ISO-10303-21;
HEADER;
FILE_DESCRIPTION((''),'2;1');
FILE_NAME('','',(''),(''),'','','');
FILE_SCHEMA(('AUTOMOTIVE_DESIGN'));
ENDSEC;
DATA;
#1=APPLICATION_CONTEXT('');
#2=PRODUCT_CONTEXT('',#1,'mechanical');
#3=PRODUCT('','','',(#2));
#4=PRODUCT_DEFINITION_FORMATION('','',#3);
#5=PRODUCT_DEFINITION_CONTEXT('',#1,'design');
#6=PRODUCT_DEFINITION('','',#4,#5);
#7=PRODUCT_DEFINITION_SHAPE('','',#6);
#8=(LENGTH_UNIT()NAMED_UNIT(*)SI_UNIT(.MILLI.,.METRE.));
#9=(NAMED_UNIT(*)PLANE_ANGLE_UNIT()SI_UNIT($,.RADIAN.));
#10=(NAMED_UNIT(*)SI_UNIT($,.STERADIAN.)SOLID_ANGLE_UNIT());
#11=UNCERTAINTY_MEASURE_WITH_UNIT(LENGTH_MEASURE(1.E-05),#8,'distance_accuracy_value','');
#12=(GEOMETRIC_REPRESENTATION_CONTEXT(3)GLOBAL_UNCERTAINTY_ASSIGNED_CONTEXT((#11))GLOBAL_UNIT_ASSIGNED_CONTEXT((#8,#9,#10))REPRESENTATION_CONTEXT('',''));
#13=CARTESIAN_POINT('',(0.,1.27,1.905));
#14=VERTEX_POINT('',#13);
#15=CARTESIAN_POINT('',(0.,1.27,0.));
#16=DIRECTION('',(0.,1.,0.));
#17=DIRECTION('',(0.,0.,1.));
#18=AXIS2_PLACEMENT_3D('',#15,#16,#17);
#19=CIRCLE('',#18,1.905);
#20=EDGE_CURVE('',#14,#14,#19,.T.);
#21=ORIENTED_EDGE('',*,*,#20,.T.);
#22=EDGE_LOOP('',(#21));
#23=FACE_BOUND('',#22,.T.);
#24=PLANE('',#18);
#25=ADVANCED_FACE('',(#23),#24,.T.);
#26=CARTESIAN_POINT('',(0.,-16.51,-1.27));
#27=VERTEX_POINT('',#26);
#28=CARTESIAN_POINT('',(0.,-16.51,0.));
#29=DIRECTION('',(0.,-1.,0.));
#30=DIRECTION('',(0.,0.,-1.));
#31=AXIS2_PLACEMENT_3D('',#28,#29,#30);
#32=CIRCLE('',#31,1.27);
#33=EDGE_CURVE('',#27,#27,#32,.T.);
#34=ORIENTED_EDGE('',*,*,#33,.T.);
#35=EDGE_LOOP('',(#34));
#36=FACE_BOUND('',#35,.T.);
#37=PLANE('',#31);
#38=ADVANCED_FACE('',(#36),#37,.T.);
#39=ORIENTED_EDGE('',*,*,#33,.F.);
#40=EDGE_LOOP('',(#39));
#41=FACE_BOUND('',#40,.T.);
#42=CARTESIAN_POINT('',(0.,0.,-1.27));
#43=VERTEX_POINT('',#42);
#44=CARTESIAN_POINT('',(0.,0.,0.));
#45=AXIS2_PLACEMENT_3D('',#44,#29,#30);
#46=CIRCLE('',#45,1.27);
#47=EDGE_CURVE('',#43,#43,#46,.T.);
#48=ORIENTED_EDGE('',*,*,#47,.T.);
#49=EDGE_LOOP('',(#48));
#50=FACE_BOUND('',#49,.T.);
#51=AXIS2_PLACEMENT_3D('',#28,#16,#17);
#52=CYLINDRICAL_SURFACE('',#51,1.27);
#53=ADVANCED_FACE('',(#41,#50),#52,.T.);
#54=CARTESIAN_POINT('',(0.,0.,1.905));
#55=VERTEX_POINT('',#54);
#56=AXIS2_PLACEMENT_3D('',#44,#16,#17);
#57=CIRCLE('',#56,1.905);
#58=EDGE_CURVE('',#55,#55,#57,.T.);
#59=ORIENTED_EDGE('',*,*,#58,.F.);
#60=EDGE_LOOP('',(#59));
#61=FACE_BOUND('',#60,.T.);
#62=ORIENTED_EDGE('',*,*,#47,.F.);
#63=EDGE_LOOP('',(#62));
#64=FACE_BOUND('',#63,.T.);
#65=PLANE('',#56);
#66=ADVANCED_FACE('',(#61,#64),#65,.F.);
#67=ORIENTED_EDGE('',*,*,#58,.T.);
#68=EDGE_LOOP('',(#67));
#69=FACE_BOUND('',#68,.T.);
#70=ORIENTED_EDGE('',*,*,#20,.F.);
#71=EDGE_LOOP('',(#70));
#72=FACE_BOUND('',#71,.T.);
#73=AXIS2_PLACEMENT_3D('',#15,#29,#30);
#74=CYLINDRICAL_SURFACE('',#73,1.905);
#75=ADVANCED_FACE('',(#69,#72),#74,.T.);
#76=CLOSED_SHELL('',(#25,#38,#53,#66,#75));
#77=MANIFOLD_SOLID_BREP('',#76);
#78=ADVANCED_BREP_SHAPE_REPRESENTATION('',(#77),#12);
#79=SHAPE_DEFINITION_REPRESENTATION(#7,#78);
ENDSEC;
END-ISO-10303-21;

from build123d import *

# Parameters (mm, degrees)
SKETCH1_R           = 1.905
BOSS_EXTRUDE1_DEPTH = 1.27
SKETCH2_R           = 1.27
BOSS_EXTRUDE2_DEPTH = 16.51


with BuildPart() as part:
    # Sketch1 → Boss-Extrude1 (new body)
    with BuildSketch(Plane(origin=(0, 0, 0), x_dir=(1, 0, 0), z_dir=(0, 1, 0))):
        Circle(SKETCH1_R)
    extrude(amount=BOSS_EXTRUDE1_DEPTH)

    # Sketch2 → Boss-Extrude2 (add)
    with BuildSketch(Plane.XZ):
        Circle(SKETCH2_R)
    extrude(amount=BOSS_EXTRUDE2_DEPTH)


solid = part.part
